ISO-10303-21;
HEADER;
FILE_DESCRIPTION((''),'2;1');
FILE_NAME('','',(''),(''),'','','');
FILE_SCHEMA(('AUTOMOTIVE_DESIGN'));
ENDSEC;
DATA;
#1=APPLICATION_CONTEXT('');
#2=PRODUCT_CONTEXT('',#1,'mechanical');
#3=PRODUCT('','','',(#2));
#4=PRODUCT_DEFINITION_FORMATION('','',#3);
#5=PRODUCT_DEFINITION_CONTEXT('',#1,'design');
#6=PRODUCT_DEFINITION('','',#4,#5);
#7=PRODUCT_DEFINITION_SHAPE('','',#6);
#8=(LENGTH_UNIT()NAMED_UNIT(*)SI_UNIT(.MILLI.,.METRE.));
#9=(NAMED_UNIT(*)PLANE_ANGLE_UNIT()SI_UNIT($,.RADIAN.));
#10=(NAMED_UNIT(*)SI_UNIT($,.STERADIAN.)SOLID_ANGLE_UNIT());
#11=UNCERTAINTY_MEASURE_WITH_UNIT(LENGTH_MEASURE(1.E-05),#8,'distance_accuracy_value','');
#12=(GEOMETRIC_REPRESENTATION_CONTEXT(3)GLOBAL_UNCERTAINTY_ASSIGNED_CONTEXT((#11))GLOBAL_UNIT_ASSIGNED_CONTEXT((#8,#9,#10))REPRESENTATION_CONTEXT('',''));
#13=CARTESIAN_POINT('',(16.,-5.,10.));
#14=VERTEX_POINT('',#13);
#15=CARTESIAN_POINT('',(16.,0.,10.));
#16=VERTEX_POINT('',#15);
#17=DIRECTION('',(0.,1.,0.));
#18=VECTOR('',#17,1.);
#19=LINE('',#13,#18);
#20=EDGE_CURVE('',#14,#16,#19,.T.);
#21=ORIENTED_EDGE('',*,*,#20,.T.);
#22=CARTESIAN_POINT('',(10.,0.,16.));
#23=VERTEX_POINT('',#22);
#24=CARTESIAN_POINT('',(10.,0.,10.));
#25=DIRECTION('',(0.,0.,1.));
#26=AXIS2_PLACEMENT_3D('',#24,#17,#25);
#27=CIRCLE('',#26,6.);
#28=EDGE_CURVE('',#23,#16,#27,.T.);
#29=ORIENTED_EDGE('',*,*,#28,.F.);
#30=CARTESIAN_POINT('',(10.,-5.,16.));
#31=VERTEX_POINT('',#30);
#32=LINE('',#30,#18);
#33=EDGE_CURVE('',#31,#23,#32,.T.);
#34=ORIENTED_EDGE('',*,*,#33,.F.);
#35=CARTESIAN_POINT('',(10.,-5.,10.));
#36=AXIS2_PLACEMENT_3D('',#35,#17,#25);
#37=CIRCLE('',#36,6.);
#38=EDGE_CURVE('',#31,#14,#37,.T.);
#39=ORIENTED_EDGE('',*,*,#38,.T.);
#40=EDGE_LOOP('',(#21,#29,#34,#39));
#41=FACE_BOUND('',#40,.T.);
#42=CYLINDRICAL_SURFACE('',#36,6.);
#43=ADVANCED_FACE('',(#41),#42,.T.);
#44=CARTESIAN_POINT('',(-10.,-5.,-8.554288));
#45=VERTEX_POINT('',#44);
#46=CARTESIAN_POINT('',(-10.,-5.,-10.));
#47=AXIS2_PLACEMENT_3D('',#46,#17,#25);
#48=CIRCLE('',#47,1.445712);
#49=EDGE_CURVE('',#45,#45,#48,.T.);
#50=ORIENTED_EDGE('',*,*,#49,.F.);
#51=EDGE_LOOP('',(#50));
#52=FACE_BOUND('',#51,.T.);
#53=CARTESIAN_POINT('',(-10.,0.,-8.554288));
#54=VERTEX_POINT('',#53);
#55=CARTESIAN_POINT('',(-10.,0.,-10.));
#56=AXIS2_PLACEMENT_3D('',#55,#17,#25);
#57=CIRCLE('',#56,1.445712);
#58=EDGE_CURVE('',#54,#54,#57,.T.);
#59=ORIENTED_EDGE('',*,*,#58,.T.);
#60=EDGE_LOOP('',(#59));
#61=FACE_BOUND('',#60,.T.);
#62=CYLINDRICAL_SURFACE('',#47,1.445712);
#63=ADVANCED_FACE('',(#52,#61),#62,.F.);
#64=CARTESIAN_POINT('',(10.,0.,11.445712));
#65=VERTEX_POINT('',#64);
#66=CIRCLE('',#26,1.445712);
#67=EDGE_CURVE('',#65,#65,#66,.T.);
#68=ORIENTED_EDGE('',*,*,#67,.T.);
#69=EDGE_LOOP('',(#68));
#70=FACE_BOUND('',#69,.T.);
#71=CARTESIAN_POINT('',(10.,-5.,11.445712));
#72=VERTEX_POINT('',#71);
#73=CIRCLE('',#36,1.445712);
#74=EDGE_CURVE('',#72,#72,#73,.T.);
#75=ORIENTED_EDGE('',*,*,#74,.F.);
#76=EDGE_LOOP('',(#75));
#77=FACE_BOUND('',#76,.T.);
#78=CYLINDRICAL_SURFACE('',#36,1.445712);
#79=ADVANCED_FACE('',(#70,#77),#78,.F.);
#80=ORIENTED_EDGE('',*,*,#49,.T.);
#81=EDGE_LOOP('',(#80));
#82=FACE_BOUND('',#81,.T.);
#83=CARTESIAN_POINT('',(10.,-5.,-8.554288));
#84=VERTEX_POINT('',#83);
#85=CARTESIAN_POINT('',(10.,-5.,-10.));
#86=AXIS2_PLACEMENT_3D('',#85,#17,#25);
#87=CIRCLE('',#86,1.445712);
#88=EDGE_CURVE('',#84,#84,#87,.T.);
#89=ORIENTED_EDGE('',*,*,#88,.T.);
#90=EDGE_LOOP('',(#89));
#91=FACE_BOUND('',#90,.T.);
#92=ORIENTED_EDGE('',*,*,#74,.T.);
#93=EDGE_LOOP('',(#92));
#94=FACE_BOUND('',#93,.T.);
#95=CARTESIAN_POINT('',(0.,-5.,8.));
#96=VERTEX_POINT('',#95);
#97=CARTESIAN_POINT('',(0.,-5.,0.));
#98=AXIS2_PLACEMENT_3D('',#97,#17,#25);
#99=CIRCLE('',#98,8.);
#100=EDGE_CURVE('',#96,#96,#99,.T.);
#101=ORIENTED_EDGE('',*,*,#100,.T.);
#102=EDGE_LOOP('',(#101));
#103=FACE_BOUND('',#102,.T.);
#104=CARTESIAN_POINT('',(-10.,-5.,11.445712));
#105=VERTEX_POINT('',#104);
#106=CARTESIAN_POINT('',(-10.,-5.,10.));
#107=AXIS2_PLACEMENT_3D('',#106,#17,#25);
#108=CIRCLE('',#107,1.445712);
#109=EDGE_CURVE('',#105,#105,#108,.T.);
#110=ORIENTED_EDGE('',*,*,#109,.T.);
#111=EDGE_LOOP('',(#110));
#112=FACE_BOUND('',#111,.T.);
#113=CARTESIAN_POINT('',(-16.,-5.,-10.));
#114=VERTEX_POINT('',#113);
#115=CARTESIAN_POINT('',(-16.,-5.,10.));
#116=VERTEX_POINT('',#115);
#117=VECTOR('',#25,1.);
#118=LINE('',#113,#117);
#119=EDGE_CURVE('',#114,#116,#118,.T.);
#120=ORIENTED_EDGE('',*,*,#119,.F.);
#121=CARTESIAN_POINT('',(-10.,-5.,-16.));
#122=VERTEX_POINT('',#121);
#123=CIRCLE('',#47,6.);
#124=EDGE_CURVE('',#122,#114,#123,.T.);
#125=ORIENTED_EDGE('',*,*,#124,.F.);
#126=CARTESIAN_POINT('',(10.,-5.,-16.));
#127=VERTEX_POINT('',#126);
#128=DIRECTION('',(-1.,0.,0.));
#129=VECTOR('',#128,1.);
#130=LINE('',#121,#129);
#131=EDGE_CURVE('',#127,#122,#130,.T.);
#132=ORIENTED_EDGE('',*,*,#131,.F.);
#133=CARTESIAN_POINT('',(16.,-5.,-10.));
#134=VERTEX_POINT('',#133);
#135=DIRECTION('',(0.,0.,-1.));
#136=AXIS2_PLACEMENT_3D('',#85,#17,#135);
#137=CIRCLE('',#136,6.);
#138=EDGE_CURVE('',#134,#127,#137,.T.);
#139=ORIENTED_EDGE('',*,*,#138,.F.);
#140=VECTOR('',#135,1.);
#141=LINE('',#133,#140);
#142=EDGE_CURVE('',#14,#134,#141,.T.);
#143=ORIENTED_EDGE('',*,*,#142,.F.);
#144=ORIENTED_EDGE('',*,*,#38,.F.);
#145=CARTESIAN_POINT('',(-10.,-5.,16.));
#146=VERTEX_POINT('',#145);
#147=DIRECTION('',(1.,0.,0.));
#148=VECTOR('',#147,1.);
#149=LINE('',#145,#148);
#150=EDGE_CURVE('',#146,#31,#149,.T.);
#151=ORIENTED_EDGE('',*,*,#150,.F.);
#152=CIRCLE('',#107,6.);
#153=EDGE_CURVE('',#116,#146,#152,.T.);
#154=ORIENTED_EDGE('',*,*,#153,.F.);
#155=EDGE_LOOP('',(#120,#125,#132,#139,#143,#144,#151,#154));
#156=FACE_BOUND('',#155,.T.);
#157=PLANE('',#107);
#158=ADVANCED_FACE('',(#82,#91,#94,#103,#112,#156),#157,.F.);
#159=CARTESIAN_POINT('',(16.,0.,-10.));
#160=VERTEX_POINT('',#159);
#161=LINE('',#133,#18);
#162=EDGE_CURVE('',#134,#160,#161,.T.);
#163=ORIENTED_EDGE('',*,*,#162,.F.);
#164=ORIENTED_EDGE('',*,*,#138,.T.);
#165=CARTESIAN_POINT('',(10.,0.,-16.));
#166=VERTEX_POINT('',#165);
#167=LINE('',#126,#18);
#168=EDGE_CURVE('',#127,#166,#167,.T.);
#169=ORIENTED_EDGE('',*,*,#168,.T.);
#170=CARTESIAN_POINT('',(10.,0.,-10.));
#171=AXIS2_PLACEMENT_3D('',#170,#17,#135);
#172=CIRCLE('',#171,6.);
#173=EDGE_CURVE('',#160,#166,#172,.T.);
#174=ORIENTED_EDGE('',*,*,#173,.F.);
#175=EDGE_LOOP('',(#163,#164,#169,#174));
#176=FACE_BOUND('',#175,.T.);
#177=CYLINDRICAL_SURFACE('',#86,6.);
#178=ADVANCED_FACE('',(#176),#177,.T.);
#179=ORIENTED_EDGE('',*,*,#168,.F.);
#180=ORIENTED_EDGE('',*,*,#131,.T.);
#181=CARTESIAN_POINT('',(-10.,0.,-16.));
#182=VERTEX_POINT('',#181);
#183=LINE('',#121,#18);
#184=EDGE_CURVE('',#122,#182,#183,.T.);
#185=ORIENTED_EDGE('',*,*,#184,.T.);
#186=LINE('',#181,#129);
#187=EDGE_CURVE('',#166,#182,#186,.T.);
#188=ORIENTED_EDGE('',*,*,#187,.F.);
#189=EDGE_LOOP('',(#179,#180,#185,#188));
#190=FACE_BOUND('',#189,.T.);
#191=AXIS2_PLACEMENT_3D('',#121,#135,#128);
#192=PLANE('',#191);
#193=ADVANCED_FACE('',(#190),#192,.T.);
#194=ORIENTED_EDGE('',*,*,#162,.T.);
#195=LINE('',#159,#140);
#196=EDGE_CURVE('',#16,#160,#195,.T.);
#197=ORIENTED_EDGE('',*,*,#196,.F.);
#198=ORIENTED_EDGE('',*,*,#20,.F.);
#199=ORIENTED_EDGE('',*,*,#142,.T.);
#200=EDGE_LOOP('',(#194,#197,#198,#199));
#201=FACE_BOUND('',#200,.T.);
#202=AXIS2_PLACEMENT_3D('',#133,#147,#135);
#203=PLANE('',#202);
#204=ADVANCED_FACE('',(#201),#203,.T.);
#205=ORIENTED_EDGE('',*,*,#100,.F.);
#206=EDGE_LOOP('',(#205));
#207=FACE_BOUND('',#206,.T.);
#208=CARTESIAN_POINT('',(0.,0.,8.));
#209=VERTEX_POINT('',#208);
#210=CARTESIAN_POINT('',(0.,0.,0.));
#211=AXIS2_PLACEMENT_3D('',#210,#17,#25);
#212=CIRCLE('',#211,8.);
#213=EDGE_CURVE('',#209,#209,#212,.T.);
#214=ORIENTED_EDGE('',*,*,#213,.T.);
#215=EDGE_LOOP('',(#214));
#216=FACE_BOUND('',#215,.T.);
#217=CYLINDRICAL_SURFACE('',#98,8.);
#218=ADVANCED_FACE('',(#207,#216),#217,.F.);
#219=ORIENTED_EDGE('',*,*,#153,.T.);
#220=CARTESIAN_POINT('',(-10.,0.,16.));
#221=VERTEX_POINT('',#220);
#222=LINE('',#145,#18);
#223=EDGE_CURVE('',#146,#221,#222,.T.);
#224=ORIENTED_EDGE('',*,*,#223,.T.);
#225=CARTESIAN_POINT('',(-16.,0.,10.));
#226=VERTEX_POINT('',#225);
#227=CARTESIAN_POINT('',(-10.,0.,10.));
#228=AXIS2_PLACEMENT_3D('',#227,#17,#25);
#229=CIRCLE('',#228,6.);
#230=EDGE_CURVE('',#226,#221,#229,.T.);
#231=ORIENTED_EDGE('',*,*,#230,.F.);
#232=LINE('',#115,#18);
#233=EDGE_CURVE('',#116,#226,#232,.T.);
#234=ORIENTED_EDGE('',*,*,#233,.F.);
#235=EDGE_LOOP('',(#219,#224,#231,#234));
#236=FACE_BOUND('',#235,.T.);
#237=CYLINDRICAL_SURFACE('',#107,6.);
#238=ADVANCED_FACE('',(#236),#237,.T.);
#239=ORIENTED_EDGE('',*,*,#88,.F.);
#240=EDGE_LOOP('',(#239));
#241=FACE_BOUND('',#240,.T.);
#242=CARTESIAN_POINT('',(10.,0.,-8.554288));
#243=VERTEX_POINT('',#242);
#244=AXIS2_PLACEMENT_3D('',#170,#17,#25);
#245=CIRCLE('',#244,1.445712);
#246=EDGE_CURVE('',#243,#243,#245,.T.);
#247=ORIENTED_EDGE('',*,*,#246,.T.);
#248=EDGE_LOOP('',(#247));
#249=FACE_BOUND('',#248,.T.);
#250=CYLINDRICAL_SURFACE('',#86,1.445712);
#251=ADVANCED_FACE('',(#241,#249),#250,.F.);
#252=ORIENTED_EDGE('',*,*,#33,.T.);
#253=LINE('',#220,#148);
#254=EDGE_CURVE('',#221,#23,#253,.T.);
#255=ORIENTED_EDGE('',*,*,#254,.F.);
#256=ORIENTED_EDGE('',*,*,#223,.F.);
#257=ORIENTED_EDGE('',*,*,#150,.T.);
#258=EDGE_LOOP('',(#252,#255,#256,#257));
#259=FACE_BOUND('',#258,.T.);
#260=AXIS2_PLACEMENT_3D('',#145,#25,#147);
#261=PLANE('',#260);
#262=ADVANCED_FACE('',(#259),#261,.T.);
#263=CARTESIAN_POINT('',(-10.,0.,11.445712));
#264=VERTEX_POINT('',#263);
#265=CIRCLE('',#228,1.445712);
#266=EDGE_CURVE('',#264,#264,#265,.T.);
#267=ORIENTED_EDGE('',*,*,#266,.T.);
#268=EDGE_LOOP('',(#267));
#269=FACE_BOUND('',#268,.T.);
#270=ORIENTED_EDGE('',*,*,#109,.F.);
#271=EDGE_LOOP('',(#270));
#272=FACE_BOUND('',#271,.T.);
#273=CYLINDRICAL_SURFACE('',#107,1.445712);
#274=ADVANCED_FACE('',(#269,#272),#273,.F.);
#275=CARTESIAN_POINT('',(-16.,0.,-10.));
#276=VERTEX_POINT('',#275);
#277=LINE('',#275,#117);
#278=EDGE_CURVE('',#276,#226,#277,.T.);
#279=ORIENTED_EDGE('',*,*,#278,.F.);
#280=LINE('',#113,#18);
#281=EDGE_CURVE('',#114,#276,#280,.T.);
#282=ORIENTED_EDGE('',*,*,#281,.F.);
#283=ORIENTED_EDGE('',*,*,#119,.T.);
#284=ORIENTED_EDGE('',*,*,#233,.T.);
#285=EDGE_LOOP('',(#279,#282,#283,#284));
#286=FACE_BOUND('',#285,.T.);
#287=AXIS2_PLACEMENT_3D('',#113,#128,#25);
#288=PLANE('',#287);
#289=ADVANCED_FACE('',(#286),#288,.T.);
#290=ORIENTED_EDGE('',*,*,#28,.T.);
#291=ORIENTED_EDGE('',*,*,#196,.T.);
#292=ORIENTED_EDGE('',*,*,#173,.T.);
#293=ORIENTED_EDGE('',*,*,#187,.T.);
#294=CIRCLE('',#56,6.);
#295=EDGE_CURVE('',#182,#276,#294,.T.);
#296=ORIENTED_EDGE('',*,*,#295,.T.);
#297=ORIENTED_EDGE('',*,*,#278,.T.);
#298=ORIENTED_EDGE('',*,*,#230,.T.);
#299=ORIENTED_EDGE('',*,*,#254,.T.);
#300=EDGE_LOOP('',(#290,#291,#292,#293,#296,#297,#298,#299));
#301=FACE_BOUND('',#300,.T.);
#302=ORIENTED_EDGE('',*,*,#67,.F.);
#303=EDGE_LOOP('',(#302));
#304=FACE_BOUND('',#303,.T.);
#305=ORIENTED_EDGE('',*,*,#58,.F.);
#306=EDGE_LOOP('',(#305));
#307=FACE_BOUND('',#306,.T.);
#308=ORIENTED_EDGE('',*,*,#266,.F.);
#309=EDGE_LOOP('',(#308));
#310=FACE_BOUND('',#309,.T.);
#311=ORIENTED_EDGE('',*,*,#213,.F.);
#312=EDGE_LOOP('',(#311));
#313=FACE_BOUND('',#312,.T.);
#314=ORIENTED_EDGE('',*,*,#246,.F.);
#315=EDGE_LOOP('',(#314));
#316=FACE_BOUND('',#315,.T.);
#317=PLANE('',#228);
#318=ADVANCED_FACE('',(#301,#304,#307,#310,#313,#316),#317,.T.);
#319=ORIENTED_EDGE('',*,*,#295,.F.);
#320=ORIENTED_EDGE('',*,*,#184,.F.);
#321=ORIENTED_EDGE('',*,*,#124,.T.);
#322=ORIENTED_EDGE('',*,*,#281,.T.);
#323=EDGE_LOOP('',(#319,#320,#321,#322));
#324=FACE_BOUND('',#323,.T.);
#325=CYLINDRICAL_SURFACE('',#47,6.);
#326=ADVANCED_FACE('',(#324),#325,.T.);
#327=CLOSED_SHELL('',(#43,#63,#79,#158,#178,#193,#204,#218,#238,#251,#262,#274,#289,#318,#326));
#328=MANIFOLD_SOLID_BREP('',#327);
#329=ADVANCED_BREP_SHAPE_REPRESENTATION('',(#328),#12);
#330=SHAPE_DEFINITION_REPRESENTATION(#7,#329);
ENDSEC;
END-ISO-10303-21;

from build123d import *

# Parameters (mm, degrees)
SKETCH1_R           = 8
SKETCH1_R_2         = 1.445711851
BOSS_EXTRUDE1_DEPTH = 5


with BuildPart() as part:
    # Sketch1 → Boss-Extrude1 (new body)
    with BuildSketch(Plane(origin=(0, 0, 0), x_dir=(1, 0, 0), z_dir=(0, 1, 0))):
        with BuildLine():
            Line((-10, 16), (10, 16))
            ThreePointArc((10, 16), (14.242640687, 14.242640687), (16, 10))
            Line((16, 10), (16, -10))
            ThreePointArc((16, -10), (14.242640687, -14.242640687), (10, -16))
            Line((10, -16), (-10, -16))
            ThreePointArc((-10, -16), (-14.242640687, -14.242640687), (-16, -10))
            Line((-16, -10), (-16, 10))
            ThreePointArc((-16, 10), (-14.242640687, 14.242640687), (-10, 16))
        make_face()
        with Locations(Location((0, 0, 0), (0, 0, 270))):
            Circle(SKETCH1_R, mode=Mode.SUBTRACT)
        with Locations(Location((-10, 10, 0), (0, 0, 270))):
            Circle(SKETCH1_R_2, mode=Mode.SUBTRACT)
        with Locations(Location((10, 10, 0), (0, 0, 270))):
            Circle(SKETCH1_R_2, mode=Mode.SUBTRACT)
        with Locations(Location((10, -10, 0), (0, 0, 270))):
            Circle(SKETCH1_R_2, mode=Mode.SUBTRACT)
        with Locations(Location((-10, -10, 0), (0, 0, 270))):
            Circle(SKETCH1_R_2, mode=Mode.SUBTRACT)
    extrude(amount=-BOSS_EXTRUDE1_DEPTH)


solid = part.part
